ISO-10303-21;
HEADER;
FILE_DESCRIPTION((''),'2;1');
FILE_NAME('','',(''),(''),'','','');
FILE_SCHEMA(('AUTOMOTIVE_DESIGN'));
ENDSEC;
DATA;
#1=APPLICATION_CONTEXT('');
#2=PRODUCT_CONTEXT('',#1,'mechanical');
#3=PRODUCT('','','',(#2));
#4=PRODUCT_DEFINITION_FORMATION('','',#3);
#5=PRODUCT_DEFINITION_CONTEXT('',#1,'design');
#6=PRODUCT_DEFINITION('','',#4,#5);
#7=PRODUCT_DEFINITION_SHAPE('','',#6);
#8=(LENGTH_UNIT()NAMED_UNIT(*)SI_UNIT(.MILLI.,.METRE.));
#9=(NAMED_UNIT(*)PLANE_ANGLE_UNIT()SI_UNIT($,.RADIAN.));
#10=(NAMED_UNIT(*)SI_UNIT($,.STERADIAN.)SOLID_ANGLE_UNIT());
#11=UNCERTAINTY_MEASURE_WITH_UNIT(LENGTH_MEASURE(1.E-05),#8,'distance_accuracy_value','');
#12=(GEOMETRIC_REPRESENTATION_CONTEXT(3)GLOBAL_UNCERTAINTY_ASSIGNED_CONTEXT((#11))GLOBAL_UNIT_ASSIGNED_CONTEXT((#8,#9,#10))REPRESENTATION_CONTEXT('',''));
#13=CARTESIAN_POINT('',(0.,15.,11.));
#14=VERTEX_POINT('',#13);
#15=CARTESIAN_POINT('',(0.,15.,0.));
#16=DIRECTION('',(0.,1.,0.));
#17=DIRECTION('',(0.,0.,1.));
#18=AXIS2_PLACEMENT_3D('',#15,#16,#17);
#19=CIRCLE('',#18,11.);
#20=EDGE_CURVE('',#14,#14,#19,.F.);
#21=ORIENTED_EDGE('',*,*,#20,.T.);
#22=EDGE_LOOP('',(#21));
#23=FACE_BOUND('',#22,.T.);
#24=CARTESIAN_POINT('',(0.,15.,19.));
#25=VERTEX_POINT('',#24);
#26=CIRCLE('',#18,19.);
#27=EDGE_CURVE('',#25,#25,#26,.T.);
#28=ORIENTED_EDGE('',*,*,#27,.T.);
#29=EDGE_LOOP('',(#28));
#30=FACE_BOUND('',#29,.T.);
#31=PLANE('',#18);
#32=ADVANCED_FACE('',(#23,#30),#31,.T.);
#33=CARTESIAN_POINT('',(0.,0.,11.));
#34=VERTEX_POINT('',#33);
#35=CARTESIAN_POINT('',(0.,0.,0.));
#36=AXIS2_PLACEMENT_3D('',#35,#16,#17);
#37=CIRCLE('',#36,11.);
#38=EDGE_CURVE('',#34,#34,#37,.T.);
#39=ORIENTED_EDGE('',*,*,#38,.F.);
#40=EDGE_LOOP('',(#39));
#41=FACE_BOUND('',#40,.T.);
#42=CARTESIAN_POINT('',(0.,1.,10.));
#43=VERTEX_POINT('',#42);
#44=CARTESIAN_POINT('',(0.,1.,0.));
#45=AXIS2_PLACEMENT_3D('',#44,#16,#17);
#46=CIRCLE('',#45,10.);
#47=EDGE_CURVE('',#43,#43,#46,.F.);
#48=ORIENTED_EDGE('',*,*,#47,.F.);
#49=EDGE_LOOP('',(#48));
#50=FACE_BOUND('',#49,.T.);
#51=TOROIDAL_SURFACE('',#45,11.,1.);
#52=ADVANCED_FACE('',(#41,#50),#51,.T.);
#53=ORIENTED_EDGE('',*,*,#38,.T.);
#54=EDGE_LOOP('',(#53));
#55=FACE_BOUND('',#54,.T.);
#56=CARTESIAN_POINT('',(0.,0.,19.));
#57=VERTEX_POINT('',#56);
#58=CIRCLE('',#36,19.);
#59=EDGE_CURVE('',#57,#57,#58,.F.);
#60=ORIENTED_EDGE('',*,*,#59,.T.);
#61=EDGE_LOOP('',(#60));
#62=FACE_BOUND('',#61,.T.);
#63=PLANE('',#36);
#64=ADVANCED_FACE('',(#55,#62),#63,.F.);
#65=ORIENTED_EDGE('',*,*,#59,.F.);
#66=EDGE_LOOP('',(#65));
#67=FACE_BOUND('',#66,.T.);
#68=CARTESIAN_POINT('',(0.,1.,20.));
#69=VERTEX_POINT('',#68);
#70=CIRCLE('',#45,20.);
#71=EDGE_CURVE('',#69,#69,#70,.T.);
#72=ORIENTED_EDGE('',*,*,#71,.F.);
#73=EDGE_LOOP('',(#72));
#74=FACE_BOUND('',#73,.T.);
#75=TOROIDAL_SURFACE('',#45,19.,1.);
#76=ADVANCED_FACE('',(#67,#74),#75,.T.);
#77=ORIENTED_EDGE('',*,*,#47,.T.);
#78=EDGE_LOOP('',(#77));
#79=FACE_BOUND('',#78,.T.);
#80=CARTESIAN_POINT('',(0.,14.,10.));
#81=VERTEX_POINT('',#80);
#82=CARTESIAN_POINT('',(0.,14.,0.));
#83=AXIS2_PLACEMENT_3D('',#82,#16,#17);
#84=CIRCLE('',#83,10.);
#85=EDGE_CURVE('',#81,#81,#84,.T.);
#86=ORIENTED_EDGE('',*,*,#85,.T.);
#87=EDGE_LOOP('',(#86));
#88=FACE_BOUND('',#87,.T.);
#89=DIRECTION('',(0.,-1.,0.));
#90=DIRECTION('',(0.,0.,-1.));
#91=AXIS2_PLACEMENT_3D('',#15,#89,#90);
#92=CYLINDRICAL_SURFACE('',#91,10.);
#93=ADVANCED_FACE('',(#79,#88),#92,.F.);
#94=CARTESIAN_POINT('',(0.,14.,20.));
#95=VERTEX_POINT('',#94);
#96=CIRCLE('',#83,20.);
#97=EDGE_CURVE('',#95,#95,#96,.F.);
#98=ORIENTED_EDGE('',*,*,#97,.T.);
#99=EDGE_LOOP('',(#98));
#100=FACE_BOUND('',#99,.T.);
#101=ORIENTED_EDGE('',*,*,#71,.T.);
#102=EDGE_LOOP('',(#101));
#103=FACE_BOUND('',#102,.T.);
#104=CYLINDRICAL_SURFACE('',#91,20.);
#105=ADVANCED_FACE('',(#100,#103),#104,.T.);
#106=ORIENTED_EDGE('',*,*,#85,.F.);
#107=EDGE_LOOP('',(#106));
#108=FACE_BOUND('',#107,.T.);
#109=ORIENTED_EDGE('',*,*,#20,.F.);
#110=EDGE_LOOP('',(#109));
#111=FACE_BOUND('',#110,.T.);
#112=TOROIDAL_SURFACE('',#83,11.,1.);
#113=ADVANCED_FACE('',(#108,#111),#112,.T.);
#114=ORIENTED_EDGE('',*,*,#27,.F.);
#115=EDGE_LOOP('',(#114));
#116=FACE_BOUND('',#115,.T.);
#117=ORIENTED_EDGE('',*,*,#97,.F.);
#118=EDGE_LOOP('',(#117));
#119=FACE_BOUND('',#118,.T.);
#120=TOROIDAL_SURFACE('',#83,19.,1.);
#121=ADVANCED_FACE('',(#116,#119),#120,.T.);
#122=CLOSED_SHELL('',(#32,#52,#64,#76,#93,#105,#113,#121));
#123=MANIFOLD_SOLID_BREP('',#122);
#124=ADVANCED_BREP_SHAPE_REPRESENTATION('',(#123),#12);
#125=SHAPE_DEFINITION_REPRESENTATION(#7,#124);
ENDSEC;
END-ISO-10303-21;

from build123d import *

# Parameters (mm, degrees)
SKETCH1_R           = 20
SKETCH1_R_2         = 10
BOSS_EXTRUDE2_DEPTH = 15
FILLET1_R           = 1
FILLET2_R           = 1
FILLET3_R           = 1


with BuildPart() as part:
    # Sketch1 → Boss-Extrude2 (new body)
    with BuildSketch(Plane(origin=(0, 0, 0), x_dir=(1, 0, 0), z_dir=(0, 1, 0))):
        Circle(SKETCH1_R)
        Circle(SKETCH1_R_2, mode=Mode.SUBTRACT)
    extrude(amount=BOSS_EXTRUDE2_DEPTH)

    # Fillet1
    fillet1_edges = [part.edges().sort_by_distance(p)[0] for p in [
        (-20, 15, 0),
    ]]
    fillet(fillet1_edges, radius=FILLET1_R)

    # Fillet2
    fillet2_edges = [part.edges().sort_by_distance(p)[0] for p in [
        (-10, 15, 0),
    ]]
    fillet(fillet2_edges, radius=FILLET2_R)

    # Fillet3
    fillet3_edges = [part.edges().sort_by_distance(p)[0] for p in [
        (-20, 0, 0),
        (-10, 0, 0),
    ]]
    fillet(fillet3_edges, radius=FILLET3_R)


solid = part.part
